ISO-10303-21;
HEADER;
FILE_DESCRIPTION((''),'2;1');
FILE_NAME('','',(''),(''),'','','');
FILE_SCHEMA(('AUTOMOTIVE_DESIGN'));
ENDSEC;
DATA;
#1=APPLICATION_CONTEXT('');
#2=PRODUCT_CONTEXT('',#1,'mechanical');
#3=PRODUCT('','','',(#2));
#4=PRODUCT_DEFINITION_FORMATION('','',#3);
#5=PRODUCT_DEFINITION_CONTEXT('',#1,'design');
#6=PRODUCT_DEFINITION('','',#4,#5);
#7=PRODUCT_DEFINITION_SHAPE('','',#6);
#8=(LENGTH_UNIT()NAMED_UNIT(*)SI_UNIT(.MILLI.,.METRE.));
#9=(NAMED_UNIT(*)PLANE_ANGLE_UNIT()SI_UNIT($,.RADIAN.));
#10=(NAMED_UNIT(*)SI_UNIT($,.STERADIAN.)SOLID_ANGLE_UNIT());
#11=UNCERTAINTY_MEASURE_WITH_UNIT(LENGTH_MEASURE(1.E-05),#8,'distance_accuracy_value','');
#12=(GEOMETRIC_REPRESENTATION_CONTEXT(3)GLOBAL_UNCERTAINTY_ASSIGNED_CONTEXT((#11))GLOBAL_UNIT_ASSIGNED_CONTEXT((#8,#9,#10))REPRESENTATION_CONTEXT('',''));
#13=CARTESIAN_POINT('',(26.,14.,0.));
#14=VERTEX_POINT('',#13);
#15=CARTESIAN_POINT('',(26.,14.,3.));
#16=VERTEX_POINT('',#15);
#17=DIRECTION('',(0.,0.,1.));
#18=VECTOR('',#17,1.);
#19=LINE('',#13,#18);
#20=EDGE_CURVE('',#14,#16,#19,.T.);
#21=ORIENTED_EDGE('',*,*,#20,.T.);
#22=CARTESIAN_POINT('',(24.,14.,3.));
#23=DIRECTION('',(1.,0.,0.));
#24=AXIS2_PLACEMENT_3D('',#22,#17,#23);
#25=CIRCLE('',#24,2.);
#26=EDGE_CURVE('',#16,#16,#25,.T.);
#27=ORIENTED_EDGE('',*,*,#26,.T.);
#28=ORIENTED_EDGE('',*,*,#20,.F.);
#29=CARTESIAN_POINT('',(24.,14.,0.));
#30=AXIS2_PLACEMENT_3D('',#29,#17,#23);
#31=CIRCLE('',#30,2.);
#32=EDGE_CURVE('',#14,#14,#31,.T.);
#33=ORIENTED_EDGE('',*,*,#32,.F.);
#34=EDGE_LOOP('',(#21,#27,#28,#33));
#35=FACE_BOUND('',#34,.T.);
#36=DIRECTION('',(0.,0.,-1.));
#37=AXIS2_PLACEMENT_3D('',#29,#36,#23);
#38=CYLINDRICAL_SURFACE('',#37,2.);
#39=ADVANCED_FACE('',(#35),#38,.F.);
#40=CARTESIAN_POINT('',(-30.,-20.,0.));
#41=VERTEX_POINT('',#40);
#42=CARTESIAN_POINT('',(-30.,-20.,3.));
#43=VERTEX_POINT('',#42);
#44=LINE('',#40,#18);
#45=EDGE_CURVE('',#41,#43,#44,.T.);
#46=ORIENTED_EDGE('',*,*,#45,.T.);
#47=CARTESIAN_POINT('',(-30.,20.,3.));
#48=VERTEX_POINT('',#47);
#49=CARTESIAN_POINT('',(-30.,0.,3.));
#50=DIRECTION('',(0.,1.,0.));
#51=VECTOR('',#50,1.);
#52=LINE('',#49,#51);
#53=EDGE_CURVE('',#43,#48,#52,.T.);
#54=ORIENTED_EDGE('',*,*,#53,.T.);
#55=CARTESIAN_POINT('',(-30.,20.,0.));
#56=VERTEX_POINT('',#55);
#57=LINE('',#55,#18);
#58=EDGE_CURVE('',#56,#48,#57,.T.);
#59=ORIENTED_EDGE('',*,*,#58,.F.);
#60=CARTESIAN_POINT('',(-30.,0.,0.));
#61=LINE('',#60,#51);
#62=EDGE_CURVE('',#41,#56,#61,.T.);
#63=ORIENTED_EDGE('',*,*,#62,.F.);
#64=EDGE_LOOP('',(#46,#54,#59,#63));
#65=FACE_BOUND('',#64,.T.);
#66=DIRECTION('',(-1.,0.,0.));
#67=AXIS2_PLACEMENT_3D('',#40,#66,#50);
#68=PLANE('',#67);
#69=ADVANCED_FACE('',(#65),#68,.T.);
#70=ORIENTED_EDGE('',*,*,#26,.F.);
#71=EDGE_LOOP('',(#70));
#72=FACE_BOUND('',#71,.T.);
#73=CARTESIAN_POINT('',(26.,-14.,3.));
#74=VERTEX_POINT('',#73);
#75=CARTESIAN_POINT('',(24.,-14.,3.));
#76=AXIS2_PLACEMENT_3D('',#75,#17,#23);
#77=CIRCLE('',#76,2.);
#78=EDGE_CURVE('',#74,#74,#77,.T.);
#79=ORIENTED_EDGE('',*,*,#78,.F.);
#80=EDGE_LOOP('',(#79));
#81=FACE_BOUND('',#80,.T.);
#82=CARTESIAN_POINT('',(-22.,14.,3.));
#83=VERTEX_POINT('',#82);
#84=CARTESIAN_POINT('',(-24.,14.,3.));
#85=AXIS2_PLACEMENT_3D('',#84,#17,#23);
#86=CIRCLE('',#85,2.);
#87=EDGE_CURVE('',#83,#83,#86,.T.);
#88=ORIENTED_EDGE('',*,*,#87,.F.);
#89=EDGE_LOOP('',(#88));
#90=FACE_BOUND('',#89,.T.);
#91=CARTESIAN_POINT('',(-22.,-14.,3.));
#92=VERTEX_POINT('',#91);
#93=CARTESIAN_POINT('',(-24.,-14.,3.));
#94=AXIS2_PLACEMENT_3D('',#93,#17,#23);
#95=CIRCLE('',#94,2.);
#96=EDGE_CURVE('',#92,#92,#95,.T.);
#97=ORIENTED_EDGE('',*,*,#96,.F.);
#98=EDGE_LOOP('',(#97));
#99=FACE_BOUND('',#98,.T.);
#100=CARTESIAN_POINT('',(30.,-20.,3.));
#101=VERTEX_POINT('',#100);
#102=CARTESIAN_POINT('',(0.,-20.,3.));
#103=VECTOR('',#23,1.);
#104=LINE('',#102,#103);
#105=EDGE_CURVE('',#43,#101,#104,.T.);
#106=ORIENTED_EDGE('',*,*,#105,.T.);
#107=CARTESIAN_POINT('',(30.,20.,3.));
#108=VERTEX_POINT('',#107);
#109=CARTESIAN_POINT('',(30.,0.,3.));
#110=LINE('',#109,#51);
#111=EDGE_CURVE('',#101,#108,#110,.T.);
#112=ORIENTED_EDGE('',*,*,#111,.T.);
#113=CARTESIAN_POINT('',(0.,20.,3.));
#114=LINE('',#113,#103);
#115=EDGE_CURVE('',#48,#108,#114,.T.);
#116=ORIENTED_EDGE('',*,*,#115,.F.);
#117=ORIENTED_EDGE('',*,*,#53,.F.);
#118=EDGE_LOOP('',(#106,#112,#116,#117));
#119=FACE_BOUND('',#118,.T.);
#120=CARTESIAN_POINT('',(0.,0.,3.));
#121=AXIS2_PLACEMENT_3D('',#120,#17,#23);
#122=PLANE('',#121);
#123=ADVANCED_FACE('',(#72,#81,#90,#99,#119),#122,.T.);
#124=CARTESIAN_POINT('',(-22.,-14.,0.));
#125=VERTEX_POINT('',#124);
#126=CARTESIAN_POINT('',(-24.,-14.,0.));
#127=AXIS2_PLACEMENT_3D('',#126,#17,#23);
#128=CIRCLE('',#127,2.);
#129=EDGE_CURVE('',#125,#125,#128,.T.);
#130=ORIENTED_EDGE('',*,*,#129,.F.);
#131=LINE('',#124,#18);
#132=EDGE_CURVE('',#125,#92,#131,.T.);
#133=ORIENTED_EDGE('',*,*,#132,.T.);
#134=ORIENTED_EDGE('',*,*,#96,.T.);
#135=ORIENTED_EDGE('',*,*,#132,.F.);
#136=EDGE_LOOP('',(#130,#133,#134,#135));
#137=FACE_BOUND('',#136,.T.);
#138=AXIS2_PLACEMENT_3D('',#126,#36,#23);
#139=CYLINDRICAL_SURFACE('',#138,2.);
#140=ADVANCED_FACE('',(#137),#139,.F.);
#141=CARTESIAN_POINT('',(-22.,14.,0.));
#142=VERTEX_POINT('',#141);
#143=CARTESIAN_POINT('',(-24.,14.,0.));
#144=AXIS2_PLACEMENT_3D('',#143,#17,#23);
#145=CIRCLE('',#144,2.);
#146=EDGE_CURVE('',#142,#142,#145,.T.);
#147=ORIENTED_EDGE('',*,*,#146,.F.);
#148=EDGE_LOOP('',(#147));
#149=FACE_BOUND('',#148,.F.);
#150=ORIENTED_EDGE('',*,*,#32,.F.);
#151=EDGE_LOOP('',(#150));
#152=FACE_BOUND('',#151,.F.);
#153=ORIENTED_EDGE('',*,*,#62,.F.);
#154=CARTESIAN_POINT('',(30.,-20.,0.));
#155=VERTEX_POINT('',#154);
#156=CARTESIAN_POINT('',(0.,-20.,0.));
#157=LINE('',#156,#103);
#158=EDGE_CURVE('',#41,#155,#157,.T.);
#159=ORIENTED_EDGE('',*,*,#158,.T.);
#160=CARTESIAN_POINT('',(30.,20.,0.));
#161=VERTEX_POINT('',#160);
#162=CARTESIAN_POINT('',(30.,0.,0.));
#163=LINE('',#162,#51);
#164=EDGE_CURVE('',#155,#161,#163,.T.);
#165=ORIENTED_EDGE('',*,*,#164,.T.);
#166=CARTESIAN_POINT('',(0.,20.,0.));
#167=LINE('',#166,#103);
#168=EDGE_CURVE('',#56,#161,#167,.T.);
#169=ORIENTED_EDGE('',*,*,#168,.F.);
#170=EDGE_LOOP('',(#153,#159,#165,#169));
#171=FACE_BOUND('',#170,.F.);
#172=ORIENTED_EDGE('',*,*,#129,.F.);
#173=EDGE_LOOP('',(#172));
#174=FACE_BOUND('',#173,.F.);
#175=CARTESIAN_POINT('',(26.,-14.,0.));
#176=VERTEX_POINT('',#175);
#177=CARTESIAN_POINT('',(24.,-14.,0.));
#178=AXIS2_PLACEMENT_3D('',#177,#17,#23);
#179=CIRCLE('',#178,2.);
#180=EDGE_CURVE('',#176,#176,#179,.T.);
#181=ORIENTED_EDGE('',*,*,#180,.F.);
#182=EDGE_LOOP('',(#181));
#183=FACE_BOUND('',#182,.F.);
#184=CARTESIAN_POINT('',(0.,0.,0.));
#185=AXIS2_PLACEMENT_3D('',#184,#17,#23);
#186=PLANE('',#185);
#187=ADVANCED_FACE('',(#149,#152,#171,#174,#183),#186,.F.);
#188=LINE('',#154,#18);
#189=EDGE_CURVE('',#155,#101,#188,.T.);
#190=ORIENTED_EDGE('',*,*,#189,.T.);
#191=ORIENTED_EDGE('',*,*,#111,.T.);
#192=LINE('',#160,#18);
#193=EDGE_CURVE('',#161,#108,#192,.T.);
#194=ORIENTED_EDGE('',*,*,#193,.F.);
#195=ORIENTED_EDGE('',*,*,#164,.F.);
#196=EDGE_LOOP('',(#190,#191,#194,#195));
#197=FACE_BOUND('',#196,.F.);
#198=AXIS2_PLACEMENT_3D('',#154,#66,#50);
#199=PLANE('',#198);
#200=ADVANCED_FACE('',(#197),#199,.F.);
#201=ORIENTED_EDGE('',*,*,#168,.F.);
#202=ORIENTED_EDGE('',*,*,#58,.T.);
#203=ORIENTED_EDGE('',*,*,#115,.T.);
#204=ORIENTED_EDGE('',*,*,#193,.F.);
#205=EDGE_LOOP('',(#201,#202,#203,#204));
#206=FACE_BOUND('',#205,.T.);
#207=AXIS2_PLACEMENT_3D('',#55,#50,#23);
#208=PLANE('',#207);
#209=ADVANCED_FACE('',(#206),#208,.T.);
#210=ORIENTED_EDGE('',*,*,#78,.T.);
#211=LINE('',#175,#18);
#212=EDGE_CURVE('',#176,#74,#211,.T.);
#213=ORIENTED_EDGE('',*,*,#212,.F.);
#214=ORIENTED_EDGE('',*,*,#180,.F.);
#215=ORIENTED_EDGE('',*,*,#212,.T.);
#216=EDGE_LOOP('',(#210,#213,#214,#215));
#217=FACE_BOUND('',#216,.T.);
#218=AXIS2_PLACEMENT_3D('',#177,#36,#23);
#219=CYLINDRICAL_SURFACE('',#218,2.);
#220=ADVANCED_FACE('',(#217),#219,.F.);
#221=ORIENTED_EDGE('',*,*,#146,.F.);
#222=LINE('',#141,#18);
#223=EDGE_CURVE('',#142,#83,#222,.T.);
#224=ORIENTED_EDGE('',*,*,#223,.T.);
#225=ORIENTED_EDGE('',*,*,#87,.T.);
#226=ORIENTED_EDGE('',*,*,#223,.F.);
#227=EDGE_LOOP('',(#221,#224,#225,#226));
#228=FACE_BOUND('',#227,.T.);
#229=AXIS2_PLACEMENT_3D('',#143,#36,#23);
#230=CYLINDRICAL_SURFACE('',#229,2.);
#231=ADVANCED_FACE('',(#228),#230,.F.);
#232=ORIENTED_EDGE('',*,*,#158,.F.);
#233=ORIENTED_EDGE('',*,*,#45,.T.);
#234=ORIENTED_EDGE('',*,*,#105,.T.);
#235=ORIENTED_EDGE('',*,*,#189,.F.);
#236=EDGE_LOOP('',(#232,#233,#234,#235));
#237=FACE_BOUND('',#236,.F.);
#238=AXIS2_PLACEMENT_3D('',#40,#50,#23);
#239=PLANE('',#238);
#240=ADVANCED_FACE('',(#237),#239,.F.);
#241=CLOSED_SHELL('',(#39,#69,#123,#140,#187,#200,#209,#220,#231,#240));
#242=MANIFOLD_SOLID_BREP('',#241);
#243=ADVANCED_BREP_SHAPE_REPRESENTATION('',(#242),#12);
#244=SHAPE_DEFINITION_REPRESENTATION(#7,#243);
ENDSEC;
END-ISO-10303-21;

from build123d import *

# Parameters (mm, degrees)
SKETCH_W  = 60
SKETCH_H  = 40
SKETCH_R  = 2
PAD_DEPTH = 3


with BuildPart() as part:
    # Sketch → Pad (new body)
    with BuildSketch(Plane.XY):
        Rectangle(SKETCH_W, SKETCH_H)
        with Locations((-24, 14)):
            Circle(SKETCH_R, mode=Mode.SUBTRACT)
        with Locations((24, 14)):
            Circle(SKETCH_R, mode=Mode.SUBTRACT)
        with Locations((-24, -14)):
            Circle(SKETCH_R, mode=Mode.SUBTRACT)
        with Locations((24, -14)):
            Circle(SKETCH_R, mode=Mode.SUBTRACT)
    extrude(amount=PAD_DEPTH)


solid = part.part
